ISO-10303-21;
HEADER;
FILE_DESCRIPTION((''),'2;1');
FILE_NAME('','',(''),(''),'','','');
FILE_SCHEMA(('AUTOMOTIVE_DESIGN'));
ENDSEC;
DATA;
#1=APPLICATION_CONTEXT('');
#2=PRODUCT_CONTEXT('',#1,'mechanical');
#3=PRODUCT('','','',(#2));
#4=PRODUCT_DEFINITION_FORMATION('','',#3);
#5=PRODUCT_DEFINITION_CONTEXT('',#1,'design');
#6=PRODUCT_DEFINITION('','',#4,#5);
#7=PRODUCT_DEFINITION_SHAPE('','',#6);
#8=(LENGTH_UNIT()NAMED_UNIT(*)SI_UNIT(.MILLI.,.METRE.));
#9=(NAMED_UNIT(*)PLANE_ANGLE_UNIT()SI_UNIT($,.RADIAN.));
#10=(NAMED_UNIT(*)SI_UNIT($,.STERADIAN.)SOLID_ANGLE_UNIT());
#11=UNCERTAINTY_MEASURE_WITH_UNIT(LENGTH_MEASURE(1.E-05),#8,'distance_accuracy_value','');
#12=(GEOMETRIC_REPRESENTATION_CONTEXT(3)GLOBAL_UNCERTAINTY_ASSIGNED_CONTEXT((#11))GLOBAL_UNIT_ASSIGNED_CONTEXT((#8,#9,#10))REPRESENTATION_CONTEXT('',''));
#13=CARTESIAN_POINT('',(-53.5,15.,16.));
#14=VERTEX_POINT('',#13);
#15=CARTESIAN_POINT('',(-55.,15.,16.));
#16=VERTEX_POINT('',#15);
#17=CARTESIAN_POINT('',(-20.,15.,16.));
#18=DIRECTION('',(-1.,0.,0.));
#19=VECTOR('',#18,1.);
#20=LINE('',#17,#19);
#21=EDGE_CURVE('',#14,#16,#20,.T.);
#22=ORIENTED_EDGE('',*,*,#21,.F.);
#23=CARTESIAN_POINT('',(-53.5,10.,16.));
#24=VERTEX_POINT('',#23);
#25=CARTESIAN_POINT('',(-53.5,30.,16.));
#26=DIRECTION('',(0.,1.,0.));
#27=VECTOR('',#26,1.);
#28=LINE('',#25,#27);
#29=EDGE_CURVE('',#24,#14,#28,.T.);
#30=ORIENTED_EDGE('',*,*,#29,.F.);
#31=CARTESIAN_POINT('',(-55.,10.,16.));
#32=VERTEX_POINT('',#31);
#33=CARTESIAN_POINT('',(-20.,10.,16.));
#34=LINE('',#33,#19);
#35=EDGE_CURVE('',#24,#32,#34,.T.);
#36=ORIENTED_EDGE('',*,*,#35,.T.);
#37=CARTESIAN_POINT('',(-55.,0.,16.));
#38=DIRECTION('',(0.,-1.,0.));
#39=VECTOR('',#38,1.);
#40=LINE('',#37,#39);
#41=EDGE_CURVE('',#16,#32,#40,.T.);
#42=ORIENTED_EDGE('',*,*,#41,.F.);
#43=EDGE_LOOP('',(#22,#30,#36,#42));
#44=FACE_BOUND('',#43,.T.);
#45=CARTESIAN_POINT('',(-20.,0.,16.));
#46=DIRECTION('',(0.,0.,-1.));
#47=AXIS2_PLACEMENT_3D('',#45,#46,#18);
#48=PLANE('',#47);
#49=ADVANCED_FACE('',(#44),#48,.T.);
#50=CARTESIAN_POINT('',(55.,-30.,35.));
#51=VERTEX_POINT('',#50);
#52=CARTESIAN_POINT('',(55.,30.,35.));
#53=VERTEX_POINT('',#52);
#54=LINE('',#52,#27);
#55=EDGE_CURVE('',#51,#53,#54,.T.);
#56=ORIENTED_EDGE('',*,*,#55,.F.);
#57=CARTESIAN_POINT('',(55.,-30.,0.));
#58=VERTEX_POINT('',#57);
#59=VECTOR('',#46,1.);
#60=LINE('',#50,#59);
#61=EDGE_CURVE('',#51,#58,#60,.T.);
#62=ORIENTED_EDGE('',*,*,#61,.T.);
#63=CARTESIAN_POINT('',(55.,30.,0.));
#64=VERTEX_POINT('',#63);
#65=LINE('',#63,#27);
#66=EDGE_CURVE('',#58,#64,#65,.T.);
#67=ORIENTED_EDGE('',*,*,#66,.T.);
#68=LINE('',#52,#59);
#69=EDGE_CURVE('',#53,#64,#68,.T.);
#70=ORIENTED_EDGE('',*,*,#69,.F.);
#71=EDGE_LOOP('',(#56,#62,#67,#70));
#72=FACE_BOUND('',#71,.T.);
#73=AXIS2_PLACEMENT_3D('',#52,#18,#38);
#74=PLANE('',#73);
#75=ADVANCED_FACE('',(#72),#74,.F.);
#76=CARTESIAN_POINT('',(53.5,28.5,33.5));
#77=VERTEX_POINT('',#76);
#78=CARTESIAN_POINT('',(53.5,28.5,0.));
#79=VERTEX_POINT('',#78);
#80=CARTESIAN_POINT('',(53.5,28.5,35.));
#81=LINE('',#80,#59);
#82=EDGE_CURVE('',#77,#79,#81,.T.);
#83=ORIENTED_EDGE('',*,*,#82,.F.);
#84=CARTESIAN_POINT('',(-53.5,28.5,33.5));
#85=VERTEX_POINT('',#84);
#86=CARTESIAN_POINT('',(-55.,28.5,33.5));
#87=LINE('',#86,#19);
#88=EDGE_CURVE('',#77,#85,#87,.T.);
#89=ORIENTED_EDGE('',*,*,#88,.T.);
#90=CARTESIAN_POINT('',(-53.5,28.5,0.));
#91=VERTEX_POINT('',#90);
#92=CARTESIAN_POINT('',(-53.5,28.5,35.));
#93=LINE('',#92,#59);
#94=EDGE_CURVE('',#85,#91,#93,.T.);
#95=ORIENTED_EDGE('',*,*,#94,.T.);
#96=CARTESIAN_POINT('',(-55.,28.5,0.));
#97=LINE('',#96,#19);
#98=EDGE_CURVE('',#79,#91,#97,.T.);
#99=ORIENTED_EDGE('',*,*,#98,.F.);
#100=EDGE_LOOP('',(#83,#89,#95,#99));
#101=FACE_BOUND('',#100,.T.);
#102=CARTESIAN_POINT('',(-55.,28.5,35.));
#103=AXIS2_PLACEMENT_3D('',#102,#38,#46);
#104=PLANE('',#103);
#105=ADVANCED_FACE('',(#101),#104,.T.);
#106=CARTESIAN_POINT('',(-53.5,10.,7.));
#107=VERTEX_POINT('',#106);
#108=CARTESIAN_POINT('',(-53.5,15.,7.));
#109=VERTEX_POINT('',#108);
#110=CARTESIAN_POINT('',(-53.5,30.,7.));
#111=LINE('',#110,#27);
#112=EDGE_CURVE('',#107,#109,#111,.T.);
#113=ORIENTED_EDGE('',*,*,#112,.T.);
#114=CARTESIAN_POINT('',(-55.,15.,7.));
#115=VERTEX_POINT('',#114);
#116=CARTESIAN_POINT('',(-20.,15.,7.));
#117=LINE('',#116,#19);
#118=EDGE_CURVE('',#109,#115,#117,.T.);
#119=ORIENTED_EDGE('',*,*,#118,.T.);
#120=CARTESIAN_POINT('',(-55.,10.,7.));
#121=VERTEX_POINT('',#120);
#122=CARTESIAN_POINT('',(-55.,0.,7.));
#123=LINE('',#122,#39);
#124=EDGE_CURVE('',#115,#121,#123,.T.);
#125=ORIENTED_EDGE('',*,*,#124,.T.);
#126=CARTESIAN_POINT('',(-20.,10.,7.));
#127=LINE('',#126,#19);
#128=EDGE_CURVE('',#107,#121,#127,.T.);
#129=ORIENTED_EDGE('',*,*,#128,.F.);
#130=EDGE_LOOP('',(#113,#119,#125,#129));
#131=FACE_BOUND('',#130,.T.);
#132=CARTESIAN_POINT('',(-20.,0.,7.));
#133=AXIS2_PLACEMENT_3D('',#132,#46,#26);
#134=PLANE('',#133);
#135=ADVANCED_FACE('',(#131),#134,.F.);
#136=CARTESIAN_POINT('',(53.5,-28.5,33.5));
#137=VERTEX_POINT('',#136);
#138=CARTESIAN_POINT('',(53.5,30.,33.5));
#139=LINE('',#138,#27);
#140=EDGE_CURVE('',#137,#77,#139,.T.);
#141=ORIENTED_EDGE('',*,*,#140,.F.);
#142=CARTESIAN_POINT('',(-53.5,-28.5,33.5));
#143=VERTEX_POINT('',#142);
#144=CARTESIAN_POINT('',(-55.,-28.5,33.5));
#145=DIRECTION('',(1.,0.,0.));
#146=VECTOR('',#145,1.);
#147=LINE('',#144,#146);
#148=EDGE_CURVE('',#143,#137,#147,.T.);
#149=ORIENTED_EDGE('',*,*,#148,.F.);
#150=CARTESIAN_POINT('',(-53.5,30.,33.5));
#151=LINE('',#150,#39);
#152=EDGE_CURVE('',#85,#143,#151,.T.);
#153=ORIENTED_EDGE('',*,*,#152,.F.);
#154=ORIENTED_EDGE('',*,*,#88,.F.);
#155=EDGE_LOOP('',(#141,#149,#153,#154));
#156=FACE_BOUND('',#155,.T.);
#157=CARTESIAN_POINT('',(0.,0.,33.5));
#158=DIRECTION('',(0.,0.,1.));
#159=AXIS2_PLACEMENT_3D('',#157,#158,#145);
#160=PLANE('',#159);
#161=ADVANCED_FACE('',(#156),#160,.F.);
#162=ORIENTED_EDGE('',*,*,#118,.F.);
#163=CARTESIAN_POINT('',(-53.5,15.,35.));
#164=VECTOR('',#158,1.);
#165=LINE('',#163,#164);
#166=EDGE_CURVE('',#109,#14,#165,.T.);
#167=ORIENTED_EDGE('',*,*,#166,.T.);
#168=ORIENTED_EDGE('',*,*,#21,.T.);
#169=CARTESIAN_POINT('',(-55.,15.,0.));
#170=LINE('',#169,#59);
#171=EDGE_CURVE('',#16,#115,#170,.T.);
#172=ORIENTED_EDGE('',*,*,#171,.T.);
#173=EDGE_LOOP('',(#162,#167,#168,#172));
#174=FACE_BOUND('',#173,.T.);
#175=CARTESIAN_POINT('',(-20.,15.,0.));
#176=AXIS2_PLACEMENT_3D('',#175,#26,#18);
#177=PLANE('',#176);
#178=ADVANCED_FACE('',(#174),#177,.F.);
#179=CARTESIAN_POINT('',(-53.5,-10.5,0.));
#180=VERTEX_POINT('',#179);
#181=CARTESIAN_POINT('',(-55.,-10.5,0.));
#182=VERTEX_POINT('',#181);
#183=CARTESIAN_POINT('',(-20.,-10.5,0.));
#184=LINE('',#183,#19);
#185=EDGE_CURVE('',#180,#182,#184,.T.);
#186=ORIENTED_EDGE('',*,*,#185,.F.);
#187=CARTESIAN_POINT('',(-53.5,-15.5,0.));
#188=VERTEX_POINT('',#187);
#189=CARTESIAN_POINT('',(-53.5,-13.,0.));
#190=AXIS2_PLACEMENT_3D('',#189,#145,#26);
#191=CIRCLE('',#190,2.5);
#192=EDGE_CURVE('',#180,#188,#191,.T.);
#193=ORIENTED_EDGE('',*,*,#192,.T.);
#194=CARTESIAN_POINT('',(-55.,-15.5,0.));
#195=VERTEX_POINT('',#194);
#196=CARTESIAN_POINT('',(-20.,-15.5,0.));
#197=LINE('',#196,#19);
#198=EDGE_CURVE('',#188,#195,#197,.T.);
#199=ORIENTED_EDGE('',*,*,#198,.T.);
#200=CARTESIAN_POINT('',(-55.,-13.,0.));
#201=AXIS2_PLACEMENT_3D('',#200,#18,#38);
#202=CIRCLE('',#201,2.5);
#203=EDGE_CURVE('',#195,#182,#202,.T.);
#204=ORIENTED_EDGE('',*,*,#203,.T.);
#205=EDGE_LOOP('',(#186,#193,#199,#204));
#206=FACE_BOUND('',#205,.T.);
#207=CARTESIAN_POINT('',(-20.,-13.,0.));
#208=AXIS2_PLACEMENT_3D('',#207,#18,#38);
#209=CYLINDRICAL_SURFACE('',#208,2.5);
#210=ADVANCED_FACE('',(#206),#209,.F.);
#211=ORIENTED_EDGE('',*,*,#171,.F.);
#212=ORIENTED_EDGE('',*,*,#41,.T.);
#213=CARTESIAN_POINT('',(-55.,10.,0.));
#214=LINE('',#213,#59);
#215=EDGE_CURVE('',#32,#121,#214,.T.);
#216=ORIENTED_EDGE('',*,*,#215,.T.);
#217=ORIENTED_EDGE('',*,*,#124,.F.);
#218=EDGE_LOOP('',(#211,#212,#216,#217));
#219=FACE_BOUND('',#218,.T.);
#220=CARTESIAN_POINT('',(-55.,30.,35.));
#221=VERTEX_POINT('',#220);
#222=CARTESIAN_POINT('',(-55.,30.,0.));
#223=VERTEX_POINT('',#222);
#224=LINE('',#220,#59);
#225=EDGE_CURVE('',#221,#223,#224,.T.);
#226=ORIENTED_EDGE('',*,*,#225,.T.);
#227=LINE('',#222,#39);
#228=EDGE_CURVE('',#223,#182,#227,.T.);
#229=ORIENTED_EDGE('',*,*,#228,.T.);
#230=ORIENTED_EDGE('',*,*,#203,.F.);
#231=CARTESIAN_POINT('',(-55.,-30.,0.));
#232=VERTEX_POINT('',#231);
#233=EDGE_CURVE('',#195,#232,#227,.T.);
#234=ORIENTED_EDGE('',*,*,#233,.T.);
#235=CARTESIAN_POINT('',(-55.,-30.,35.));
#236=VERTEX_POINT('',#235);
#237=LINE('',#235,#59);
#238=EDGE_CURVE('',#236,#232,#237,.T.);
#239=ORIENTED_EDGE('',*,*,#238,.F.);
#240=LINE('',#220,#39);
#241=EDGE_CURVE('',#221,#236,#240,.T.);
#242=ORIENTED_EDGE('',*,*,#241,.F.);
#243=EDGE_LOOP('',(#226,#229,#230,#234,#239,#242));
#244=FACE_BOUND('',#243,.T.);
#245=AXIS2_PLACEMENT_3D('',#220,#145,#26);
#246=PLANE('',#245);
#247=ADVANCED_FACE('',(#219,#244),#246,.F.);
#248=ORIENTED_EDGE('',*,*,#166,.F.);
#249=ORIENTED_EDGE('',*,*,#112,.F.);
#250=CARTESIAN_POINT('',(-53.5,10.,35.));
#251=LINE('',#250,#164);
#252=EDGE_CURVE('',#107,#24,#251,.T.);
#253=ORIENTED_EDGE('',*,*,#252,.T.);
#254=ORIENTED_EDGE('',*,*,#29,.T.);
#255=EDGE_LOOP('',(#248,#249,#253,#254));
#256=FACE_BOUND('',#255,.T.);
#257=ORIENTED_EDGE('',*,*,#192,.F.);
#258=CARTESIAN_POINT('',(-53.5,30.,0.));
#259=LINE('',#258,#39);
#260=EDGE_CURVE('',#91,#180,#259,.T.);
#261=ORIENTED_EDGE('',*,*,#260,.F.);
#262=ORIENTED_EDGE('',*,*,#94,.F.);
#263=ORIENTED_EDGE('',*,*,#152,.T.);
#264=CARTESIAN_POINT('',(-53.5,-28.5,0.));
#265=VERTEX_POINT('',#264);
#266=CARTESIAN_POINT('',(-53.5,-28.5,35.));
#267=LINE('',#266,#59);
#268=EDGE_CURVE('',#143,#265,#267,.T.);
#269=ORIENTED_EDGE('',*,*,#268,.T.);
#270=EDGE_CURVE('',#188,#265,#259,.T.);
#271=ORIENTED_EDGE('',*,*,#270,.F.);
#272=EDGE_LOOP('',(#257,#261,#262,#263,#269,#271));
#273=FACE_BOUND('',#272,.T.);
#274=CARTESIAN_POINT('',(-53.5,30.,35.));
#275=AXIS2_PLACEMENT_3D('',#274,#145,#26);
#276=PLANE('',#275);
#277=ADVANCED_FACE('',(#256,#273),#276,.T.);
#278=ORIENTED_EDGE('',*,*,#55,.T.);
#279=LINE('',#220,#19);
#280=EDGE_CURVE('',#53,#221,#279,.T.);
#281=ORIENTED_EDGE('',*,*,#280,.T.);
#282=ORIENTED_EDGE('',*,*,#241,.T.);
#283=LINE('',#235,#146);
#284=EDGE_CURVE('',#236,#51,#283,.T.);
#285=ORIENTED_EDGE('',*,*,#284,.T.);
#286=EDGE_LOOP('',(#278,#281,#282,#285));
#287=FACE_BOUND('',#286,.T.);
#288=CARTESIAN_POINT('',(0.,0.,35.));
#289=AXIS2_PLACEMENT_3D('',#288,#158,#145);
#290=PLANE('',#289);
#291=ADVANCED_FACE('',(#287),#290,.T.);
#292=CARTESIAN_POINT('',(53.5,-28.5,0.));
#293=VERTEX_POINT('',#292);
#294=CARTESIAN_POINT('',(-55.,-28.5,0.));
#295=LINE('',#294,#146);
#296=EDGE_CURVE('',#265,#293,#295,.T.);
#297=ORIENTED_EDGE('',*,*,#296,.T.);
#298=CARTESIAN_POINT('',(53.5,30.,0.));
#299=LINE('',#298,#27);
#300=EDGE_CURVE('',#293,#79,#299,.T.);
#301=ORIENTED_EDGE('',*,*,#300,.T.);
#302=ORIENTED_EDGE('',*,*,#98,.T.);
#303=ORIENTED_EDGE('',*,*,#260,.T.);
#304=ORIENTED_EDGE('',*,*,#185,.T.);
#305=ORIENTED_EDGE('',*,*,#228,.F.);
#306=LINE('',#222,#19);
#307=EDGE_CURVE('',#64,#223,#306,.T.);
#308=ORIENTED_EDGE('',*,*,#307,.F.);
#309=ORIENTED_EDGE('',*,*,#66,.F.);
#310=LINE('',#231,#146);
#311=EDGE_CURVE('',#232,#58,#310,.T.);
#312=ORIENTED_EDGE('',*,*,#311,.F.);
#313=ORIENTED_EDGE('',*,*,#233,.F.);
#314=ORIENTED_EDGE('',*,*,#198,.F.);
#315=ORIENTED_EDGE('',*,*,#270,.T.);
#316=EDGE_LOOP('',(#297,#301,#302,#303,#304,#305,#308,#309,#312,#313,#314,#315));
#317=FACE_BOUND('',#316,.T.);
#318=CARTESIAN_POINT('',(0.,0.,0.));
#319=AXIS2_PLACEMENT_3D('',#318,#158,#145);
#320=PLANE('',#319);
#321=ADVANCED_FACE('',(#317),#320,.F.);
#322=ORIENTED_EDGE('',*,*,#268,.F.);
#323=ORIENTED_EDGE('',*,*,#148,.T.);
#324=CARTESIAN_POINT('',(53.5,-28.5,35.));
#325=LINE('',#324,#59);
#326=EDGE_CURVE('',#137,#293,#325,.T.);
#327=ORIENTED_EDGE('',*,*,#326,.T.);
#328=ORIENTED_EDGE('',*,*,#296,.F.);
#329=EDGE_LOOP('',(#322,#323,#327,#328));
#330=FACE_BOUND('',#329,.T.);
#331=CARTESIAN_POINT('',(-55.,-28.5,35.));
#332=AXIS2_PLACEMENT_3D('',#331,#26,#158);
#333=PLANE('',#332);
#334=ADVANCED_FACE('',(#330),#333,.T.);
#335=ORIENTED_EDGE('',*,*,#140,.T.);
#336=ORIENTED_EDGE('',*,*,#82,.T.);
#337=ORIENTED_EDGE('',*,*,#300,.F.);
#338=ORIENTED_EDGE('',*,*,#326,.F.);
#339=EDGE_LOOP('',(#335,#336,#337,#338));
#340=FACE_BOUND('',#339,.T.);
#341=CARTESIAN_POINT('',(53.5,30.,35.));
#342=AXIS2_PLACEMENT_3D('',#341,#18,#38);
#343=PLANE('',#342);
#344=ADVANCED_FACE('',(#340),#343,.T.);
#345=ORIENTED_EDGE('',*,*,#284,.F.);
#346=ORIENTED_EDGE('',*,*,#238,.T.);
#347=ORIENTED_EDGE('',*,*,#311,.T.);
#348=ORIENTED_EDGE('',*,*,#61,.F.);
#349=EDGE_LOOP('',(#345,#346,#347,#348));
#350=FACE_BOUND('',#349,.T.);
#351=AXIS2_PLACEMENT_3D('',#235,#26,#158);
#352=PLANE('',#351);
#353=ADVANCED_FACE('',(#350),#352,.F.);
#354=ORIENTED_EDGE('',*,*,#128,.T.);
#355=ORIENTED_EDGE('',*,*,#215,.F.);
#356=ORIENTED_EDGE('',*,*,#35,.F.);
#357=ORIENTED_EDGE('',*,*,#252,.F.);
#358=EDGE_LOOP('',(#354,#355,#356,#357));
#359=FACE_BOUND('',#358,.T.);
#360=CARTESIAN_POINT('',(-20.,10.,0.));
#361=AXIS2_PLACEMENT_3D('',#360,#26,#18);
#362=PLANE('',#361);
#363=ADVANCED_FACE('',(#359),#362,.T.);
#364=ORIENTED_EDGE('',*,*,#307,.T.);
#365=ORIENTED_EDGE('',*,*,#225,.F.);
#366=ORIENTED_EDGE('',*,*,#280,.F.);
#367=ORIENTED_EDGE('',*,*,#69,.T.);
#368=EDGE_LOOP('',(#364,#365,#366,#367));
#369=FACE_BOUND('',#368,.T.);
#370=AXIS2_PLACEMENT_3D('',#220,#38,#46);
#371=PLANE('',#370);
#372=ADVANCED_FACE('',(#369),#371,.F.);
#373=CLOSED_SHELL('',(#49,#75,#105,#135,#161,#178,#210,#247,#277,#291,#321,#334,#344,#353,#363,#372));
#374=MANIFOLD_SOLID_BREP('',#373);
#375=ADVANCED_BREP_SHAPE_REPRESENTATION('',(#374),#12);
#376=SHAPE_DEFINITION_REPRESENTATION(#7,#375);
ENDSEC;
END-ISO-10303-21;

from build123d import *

# Parameters (mm, degrees)
SKIZZE1_W                       = 110
SKIZZE1_H                       = 60
AUFSATZ_LINEAR_AUSTRAGEN1_DEPTH = 35
SCHALE1_T                       = -1.5
SKIZZE3_W                       = 9
SKIZZE3_H                       = 5
SCHNITT_LINEAR_AUSTRAGEN1_DEPTH = 35


with BuildPart() as part:
    # Skizze1 → Aufsatz-Linear austragen1 (new body)
    with BuildSketch(Plane.XY):
        Rectangle(SKIZZE1_W, SKIZZE1_H)
    extrude(amount=AUFSATZ_LINEAR_AUSTRAGEN1_DEPTH)

    # Schale1
    schale1_openings = [part.faces().sort_by_distance(p)[0] for p in [
        (0, 0, 0),
    ]]
    offset(amount=SCHALE1_T, openings=schale1_openings, kind=Kind.INTERSECTION)

    # Skizze3 → Schnitt-Linear austragen1 (cut)
    with BuildSketch(Plane.ZY.offset(55)):
        with BuildLine():
            Line((0, -10.5), (0, -15.5))
            ThreePointArc((0, -15.5), (2.5, -13), (0, -10.5))
        make_face()
        with Locations((11.5, 12.5)):
            Rectangle(SKIZZE3_W, SKIZZE3_H)
    extrude(amount=-SCHNITT_LINEAR_AUSTRAGEN1_DEPTH, mode=Mode.SUBTRACT)


solid = part.part
